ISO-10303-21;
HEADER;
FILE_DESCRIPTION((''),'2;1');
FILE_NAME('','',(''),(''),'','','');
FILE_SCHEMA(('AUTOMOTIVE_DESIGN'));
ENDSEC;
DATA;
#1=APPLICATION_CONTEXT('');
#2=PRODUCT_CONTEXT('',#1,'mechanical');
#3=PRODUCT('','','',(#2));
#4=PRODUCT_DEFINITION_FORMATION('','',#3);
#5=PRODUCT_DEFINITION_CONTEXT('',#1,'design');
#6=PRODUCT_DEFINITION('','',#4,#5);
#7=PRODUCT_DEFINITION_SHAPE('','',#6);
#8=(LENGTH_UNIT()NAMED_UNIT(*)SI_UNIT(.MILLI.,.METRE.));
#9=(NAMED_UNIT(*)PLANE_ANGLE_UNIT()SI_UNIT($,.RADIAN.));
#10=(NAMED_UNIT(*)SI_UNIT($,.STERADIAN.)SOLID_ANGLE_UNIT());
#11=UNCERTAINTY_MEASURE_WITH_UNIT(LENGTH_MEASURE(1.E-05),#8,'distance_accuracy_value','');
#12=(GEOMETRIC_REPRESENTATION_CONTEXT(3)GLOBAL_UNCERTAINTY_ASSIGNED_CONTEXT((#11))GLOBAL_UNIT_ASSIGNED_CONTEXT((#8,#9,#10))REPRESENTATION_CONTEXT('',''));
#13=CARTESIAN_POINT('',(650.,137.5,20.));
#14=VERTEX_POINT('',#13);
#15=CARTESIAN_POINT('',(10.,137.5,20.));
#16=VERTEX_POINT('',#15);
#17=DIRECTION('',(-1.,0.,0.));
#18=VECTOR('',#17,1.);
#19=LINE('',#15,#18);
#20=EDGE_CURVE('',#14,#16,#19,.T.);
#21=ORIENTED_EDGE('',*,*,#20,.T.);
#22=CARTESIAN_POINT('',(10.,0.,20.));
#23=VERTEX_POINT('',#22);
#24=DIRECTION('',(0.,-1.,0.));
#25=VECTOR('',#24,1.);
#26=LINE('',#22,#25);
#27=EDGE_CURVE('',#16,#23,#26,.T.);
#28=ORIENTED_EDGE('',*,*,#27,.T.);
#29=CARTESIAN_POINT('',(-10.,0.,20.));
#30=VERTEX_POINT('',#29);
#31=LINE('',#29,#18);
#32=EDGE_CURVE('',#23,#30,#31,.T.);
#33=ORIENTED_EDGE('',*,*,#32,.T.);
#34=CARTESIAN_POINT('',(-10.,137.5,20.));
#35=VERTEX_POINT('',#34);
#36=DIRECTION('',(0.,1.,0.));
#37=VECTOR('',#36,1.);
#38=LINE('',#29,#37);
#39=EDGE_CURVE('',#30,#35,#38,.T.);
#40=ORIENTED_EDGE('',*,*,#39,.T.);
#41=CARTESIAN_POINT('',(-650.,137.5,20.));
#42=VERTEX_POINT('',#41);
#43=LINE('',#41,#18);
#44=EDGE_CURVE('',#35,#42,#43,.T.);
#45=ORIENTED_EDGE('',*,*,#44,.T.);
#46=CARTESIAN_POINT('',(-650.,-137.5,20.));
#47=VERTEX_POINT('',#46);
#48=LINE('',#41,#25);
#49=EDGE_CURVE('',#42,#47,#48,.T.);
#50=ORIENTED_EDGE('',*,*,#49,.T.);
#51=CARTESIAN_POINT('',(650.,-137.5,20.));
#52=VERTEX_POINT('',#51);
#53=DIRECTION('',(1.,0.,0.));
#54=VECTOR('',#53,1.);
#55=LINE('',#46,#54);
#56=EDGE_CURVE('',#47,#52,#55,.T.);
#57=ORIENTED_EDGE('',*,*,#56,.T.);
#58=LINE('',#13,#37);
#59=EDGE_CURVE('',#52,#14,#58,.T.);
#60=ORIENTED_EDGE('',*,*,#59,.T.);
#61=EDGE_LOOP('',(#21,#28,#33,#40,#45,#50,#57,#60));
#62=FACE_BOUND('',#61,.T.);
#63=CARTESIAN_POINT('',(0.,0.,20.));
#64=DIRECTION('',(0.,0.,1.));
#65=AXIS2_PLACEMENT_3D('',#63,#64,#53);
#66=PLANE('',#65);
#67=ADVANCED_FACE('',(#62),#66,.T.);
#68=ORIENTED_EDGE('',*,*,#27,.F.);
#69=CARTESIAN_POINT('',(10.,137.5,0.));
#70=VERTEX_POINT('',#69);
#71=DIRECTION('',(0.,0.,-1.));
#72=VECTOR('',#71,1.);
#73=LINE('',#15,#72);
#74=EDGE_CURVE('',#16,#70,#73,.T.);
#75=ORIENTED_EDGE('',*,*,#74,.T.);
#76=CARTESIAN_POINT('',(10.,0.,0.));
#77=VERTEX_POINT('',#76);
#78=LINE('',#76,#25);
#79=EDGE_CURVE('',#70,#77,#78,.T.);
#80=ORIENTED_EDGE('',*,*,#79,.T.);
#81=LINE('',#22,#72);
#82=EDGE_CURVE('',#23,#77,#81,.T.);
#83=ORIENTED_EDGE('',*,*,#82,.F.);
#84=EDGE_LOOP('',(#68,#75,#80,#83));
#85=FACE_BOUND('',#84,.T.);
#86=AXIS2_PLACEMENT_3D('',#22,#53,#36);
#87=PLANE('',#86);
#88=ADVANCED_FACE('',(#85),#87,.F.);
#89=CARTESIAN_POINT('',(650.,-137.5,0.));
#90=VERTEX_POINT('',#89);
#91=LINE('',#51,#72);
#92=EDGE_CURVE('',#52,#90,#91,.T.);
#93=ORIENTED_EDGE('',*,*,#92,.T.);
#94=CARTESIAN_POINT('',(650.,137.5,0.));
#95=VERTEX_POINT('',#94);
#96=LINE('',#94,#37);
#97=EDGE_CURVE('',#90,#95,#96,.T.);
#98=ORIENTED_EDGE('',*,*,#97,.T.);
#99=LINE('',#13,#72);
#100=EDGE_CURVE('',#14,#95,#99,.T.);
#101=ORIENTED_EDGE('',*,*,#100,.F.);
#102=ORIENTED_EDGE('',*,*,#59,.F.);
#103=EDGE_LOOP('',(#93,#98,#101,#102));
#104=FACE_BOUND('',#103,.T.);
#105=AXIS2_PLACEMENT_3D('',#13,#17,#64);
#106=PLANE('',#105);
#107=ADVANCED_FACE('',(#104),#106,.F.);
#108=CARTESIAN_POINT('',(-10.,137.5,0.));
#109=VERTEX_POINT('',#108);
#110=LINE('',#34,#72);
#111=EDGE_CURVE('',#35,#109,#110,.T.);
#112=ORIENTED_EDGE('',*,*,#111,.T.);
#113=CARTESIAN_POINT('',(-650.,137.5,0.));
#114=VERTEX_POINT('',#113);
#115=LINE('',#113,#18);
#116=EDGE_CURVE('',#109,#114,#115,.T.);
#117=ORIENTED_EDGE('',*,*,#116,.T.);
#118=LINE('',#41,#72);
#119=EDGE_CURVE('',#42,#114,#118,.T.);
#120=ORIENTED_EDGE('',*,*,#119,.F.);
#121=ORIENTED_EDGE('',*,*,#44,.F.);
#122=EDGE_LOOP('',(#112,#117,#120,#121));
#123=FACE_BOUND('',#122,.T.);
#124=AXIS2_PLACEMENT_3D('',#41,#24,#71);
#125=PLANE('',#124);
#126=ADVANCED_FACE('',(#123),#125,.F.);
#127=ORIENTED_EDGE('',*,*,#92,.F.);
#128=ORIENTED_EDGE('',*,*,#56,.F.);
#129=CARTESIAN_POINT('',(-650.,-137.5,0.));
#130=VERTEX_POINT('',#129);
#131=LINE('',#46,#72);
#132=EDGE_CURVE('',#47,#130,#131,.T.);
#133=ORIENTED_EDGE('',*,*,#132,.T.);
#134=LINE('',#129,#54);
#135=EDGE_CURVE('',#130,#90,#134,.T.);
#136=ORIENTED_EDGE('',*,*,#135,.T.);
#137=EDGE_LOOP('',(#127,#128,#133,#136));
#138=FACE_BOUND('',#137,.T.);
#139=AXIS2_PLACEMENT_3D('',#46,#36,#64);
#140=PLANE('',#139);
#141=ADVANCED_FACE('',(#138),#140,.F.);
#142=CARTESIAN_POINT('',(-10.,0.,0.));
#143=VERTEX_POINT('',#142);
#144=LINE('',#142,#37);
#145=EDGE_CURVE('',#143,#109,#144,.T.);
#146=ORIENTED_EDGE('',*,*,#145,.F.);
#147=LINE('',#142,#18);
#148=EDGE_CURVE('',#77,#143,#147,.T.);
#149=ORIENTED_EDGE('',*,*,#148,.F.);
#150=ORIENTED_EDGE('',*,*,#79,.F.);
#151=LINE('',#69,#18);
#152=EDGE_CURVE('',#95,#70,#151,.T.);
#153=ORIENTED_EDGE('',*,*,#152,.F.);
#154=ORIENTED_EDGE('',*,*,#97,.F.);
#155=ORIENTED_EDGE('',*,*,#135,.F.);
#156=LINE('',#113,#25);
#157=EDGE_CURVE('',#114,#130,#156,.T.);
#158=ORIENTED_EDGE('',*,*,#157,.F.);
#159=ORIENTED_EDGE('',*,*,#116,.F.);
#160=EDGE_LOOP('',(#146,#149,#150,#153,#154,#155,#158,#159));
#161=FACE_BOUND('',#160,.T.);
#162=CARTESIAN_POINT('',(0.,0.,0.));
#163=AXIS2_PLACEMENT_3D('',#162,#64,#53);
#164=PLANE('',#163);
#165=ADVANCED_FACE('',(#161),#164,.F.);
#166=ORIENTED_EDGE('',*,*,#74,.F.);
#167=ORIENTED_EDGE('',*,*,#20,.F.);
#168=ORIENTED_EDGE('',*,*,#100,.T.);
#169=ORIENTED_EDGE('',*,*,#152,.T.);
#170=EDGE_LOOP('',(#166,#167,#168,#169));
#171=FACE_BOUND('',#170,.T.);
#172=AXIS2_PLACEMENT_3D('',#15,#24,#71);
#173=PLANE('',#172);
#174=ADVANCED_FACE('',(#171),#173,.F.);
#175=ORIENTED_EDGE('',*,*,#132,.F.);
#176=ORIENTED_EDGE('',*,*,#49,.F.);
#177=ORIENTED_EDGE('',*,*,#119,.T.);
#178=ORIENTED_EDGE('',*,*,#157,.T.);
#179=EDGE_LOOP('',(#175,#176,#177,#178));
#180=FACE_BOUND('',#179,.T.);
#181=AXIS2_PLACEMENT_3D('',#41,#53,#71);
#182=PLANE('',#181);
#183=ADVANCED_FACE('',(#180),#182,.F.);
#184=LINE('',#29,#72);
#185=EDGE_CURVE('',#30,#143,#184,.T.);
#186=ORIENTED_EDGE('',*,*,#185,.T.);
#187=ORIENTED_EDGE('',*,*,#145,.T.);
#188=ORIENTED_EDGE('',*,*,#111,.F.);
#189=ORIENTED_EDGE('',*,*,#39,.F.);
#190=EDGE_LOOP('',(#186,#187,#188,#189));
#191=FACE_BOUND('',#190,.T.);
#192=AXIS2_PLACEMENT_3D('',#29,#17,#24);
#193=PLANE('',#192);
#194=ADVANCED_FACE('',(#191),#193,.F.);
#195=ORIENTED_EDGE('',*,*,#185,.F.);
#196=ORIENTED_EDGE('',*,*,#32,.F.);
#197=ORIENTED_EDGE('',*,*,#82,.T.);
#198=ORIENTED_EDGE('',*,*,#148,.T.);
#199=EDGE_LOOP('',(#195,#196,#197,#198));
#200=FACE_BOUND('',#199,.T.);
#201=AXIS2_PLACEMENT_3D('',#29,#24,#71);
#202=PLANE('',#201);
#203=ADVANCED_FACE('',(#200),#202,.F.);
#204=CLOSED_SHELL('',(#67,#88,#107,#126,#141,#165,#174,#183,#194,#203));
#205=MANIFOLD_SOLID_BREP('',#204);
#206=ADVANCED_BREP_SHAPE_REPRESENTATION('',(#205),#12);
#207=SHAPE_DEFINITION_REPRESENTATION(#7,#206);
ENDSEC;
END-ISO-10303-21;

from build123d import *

# Parameters (mm, degrees)
BOSS_EXTRUDE1_DEPTH = 20


with BuildPart() as part:
    # Sketch2 → Boss-Extrude1 (new body)
    with BuildSketch(Plane.XY):
        Polygon((-650, 137.5), (-10, 137.5), (-10, 0), (10, 0), (10, 137.5), (650, 137.5), (650, -137.5), (-650, -137.5), align=None)
    extrude(amount=BOSS_EXTRUDE1_DEPTH)


solid = part.part
